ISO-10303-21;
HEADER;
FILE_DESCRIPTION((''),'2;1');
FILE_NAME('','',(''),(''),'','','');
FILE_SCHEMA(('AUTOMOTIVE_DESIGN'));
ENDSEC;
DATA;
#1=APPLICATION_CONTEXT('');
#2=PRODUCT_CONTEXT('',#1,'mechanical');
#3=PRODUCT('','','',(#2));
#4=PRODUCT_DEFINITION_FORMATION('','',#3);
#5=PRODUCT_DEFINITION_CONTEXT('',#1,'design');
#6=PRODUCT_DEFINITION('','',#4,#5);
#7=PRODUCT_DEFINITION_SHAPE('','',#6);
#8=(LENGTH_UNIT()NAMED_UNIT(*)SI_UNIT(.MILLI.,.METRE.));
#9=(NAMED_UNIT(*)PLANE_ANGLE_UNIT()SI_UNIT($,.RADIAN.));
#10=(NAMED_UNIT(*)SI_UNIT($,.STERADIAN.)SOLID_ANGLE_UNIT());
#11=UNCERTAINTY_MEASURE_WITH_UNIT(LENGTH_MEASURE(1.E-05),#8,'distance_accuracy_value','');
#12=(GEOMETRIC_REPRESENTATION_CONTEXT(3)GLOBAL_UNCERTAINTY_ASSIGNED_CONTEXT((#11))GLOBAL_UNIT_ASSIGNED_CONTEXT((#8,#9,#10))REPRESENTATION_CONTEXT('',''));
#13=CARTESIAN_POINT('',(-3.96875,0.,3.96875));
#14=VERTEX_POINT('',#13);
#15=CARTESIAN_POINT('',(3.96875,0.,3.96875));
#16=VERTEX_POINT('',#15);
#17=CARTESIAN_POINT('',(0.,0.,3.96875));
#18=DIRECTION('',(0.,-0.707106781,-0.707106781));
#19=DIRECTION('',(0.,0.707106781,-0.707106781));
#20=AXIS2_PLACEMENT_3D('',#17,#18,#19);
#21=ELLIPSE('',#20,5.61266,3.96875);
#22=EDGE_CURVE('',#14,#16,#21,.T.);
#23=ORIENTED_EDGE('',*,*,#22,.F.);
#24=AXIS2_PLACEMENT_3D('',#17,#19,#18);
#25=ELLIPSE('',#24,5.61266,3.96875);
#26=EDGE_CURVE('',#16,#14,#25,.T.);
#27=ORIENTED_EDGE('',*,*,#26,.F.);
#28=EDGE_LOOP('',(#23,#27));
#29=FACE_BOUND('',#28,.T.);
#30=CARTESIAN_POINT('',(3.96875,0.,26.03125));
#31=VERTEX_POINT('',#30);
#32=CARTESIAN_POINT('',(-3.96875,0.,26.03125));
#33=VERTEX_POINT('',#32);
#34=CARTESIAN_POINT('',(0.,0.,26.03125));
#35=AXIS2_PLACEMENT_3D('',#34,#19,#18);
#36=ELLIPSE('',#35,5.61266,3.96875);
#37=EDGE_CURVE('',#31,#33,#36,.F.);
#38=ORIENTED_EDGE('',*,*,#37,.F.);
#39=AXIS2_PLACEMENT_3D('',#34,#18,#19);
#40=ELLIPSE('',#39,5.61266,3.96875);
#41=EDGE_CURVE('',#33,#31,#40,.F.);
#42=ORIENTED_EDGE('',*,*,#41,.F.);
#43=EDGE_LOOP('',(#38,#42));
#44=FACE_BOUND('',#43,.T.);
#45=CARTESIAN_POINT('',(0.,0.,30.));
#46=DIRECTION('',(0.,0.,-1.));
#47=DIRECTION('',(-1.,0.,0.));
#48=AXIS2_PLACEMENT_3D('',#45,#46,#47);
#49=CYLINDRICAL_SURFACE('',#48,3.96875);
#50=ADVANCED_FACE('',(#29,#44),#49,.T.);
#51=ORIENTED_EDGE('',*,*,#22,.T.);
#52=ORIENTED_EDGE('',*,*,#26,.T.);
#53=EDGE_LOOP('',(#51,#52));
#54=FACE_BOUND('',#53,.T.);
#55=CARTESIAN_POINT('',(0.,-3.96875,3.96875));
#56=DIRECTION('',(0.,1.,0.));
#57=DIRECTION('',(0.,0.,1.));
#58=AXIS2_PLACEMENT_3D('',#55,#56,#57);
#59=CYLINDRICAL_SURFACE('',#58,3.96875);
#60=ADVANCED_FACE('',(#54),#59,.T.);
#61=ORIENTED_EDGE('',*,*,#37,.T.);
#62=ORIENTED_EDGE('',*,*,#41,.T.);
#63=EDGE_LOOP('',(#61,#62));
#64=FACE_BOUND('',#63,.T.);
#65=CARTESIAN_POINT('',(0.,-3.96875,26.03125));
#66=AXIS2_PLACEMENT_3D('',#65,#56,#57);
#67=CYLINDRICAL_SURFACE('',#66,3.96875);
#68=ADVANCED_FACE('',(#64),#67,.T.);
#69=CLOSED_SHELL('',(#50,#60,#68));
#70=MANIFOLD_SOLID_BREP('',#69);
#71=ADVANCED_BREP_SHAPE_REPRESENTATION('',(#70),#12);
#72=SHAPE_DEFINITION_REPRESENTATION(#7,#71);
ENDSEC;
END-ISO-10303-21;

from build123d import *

# Parameters (mm, degrees)
SKETCH1_R               = 3.96875
BOSS_EXTRUDE1_DEPTH     = 30
CUT_EXTRUDE1_DEPTH      = 31.520516921
CUT_EXTRUDE1_DEPTH_BACK = 31.520516921
CUT_EXTRUDE2_DEPTH      = 31.520516921
CUT_EXTRUDE2_DEPTH_BACK = 31.520516921


with BuildPart() as part:
    # Sketch1 → Boss-Extrude1 (new body)
    with BuildSketch(Plane.XY):
        Circle(SKETCH1_R)
    extrude(amount=BOSS_EXTRUDE1_DEPTH)

    # Sketch2 → Cut-Extrude1 (cut, two sides: drawn at the far end of the back side and taken through both)
    with BuildSketch(Plane(origin=(0, 0, 0), x_dir=(1, 0, 0), z_dir=(0, 1, 0)).offset(-CUT_EXTRUDE1_DEPTH_BACK)):
        with BuildLine():
            ThreePointArc((0, -30), (-2.806330038, -28.837580038), (-3.96875, -26.03125))
            Line((-3.96875, -26.03125), (-3.96875, -30))
            Line((-3.96875, -30), (0, -30))
        make_face()
        with BuildLine():
            Line((3.96875, -30), (3.96875, -26.03125))
            ThreePointArc((3.96875, -26.03125), (2.806330038, -28.837580038), (0, -30))
            Line((0, -30), (3.96875, -30))
        make_face()
    extrude(amount=CUT_EXTRUDE1_DEPTH + CUT_EXTRUDE1_DEPTH_BACK, mode=Mode.SUBTRACT)

    # Sketch3 → Cut-Extrude2 (cut, two sides: drawn at the far end of the back side and taken through both)
    with BuildSketch(Plane(origin=(0, 0, 0), x_dir=(1, 0, 0), z_dir=(0, 1, 0)).offset(-CUT_EXTRUDE2_DEPTH_BACK)):
        with BuildLine():
            ThreePointArc((0, 0), (2.806330038, -1.162419962), (3.96875, -3.96875))
            Line((3.96875, -3.96875), (3.96875, 0))
            Line((3.96875, 0), (0, 0))
        make_face()
        with BuildLine():
            Line((-3.96875, 0), (-3.96875, -3.96875))
            ThreePointArc((-3.96875, -3.96875), (-2.806330038, -1.162419962), (0, 0))
            Line((0, 0), (-3.96875, 0))
        make_face()
    extrude(amount=CUT_EXTRUDE2_DEPTH + CUT_EXTRUDE2_DEPTH_BACK, mode=Mode.SUBTRACT)


solid = part.part
